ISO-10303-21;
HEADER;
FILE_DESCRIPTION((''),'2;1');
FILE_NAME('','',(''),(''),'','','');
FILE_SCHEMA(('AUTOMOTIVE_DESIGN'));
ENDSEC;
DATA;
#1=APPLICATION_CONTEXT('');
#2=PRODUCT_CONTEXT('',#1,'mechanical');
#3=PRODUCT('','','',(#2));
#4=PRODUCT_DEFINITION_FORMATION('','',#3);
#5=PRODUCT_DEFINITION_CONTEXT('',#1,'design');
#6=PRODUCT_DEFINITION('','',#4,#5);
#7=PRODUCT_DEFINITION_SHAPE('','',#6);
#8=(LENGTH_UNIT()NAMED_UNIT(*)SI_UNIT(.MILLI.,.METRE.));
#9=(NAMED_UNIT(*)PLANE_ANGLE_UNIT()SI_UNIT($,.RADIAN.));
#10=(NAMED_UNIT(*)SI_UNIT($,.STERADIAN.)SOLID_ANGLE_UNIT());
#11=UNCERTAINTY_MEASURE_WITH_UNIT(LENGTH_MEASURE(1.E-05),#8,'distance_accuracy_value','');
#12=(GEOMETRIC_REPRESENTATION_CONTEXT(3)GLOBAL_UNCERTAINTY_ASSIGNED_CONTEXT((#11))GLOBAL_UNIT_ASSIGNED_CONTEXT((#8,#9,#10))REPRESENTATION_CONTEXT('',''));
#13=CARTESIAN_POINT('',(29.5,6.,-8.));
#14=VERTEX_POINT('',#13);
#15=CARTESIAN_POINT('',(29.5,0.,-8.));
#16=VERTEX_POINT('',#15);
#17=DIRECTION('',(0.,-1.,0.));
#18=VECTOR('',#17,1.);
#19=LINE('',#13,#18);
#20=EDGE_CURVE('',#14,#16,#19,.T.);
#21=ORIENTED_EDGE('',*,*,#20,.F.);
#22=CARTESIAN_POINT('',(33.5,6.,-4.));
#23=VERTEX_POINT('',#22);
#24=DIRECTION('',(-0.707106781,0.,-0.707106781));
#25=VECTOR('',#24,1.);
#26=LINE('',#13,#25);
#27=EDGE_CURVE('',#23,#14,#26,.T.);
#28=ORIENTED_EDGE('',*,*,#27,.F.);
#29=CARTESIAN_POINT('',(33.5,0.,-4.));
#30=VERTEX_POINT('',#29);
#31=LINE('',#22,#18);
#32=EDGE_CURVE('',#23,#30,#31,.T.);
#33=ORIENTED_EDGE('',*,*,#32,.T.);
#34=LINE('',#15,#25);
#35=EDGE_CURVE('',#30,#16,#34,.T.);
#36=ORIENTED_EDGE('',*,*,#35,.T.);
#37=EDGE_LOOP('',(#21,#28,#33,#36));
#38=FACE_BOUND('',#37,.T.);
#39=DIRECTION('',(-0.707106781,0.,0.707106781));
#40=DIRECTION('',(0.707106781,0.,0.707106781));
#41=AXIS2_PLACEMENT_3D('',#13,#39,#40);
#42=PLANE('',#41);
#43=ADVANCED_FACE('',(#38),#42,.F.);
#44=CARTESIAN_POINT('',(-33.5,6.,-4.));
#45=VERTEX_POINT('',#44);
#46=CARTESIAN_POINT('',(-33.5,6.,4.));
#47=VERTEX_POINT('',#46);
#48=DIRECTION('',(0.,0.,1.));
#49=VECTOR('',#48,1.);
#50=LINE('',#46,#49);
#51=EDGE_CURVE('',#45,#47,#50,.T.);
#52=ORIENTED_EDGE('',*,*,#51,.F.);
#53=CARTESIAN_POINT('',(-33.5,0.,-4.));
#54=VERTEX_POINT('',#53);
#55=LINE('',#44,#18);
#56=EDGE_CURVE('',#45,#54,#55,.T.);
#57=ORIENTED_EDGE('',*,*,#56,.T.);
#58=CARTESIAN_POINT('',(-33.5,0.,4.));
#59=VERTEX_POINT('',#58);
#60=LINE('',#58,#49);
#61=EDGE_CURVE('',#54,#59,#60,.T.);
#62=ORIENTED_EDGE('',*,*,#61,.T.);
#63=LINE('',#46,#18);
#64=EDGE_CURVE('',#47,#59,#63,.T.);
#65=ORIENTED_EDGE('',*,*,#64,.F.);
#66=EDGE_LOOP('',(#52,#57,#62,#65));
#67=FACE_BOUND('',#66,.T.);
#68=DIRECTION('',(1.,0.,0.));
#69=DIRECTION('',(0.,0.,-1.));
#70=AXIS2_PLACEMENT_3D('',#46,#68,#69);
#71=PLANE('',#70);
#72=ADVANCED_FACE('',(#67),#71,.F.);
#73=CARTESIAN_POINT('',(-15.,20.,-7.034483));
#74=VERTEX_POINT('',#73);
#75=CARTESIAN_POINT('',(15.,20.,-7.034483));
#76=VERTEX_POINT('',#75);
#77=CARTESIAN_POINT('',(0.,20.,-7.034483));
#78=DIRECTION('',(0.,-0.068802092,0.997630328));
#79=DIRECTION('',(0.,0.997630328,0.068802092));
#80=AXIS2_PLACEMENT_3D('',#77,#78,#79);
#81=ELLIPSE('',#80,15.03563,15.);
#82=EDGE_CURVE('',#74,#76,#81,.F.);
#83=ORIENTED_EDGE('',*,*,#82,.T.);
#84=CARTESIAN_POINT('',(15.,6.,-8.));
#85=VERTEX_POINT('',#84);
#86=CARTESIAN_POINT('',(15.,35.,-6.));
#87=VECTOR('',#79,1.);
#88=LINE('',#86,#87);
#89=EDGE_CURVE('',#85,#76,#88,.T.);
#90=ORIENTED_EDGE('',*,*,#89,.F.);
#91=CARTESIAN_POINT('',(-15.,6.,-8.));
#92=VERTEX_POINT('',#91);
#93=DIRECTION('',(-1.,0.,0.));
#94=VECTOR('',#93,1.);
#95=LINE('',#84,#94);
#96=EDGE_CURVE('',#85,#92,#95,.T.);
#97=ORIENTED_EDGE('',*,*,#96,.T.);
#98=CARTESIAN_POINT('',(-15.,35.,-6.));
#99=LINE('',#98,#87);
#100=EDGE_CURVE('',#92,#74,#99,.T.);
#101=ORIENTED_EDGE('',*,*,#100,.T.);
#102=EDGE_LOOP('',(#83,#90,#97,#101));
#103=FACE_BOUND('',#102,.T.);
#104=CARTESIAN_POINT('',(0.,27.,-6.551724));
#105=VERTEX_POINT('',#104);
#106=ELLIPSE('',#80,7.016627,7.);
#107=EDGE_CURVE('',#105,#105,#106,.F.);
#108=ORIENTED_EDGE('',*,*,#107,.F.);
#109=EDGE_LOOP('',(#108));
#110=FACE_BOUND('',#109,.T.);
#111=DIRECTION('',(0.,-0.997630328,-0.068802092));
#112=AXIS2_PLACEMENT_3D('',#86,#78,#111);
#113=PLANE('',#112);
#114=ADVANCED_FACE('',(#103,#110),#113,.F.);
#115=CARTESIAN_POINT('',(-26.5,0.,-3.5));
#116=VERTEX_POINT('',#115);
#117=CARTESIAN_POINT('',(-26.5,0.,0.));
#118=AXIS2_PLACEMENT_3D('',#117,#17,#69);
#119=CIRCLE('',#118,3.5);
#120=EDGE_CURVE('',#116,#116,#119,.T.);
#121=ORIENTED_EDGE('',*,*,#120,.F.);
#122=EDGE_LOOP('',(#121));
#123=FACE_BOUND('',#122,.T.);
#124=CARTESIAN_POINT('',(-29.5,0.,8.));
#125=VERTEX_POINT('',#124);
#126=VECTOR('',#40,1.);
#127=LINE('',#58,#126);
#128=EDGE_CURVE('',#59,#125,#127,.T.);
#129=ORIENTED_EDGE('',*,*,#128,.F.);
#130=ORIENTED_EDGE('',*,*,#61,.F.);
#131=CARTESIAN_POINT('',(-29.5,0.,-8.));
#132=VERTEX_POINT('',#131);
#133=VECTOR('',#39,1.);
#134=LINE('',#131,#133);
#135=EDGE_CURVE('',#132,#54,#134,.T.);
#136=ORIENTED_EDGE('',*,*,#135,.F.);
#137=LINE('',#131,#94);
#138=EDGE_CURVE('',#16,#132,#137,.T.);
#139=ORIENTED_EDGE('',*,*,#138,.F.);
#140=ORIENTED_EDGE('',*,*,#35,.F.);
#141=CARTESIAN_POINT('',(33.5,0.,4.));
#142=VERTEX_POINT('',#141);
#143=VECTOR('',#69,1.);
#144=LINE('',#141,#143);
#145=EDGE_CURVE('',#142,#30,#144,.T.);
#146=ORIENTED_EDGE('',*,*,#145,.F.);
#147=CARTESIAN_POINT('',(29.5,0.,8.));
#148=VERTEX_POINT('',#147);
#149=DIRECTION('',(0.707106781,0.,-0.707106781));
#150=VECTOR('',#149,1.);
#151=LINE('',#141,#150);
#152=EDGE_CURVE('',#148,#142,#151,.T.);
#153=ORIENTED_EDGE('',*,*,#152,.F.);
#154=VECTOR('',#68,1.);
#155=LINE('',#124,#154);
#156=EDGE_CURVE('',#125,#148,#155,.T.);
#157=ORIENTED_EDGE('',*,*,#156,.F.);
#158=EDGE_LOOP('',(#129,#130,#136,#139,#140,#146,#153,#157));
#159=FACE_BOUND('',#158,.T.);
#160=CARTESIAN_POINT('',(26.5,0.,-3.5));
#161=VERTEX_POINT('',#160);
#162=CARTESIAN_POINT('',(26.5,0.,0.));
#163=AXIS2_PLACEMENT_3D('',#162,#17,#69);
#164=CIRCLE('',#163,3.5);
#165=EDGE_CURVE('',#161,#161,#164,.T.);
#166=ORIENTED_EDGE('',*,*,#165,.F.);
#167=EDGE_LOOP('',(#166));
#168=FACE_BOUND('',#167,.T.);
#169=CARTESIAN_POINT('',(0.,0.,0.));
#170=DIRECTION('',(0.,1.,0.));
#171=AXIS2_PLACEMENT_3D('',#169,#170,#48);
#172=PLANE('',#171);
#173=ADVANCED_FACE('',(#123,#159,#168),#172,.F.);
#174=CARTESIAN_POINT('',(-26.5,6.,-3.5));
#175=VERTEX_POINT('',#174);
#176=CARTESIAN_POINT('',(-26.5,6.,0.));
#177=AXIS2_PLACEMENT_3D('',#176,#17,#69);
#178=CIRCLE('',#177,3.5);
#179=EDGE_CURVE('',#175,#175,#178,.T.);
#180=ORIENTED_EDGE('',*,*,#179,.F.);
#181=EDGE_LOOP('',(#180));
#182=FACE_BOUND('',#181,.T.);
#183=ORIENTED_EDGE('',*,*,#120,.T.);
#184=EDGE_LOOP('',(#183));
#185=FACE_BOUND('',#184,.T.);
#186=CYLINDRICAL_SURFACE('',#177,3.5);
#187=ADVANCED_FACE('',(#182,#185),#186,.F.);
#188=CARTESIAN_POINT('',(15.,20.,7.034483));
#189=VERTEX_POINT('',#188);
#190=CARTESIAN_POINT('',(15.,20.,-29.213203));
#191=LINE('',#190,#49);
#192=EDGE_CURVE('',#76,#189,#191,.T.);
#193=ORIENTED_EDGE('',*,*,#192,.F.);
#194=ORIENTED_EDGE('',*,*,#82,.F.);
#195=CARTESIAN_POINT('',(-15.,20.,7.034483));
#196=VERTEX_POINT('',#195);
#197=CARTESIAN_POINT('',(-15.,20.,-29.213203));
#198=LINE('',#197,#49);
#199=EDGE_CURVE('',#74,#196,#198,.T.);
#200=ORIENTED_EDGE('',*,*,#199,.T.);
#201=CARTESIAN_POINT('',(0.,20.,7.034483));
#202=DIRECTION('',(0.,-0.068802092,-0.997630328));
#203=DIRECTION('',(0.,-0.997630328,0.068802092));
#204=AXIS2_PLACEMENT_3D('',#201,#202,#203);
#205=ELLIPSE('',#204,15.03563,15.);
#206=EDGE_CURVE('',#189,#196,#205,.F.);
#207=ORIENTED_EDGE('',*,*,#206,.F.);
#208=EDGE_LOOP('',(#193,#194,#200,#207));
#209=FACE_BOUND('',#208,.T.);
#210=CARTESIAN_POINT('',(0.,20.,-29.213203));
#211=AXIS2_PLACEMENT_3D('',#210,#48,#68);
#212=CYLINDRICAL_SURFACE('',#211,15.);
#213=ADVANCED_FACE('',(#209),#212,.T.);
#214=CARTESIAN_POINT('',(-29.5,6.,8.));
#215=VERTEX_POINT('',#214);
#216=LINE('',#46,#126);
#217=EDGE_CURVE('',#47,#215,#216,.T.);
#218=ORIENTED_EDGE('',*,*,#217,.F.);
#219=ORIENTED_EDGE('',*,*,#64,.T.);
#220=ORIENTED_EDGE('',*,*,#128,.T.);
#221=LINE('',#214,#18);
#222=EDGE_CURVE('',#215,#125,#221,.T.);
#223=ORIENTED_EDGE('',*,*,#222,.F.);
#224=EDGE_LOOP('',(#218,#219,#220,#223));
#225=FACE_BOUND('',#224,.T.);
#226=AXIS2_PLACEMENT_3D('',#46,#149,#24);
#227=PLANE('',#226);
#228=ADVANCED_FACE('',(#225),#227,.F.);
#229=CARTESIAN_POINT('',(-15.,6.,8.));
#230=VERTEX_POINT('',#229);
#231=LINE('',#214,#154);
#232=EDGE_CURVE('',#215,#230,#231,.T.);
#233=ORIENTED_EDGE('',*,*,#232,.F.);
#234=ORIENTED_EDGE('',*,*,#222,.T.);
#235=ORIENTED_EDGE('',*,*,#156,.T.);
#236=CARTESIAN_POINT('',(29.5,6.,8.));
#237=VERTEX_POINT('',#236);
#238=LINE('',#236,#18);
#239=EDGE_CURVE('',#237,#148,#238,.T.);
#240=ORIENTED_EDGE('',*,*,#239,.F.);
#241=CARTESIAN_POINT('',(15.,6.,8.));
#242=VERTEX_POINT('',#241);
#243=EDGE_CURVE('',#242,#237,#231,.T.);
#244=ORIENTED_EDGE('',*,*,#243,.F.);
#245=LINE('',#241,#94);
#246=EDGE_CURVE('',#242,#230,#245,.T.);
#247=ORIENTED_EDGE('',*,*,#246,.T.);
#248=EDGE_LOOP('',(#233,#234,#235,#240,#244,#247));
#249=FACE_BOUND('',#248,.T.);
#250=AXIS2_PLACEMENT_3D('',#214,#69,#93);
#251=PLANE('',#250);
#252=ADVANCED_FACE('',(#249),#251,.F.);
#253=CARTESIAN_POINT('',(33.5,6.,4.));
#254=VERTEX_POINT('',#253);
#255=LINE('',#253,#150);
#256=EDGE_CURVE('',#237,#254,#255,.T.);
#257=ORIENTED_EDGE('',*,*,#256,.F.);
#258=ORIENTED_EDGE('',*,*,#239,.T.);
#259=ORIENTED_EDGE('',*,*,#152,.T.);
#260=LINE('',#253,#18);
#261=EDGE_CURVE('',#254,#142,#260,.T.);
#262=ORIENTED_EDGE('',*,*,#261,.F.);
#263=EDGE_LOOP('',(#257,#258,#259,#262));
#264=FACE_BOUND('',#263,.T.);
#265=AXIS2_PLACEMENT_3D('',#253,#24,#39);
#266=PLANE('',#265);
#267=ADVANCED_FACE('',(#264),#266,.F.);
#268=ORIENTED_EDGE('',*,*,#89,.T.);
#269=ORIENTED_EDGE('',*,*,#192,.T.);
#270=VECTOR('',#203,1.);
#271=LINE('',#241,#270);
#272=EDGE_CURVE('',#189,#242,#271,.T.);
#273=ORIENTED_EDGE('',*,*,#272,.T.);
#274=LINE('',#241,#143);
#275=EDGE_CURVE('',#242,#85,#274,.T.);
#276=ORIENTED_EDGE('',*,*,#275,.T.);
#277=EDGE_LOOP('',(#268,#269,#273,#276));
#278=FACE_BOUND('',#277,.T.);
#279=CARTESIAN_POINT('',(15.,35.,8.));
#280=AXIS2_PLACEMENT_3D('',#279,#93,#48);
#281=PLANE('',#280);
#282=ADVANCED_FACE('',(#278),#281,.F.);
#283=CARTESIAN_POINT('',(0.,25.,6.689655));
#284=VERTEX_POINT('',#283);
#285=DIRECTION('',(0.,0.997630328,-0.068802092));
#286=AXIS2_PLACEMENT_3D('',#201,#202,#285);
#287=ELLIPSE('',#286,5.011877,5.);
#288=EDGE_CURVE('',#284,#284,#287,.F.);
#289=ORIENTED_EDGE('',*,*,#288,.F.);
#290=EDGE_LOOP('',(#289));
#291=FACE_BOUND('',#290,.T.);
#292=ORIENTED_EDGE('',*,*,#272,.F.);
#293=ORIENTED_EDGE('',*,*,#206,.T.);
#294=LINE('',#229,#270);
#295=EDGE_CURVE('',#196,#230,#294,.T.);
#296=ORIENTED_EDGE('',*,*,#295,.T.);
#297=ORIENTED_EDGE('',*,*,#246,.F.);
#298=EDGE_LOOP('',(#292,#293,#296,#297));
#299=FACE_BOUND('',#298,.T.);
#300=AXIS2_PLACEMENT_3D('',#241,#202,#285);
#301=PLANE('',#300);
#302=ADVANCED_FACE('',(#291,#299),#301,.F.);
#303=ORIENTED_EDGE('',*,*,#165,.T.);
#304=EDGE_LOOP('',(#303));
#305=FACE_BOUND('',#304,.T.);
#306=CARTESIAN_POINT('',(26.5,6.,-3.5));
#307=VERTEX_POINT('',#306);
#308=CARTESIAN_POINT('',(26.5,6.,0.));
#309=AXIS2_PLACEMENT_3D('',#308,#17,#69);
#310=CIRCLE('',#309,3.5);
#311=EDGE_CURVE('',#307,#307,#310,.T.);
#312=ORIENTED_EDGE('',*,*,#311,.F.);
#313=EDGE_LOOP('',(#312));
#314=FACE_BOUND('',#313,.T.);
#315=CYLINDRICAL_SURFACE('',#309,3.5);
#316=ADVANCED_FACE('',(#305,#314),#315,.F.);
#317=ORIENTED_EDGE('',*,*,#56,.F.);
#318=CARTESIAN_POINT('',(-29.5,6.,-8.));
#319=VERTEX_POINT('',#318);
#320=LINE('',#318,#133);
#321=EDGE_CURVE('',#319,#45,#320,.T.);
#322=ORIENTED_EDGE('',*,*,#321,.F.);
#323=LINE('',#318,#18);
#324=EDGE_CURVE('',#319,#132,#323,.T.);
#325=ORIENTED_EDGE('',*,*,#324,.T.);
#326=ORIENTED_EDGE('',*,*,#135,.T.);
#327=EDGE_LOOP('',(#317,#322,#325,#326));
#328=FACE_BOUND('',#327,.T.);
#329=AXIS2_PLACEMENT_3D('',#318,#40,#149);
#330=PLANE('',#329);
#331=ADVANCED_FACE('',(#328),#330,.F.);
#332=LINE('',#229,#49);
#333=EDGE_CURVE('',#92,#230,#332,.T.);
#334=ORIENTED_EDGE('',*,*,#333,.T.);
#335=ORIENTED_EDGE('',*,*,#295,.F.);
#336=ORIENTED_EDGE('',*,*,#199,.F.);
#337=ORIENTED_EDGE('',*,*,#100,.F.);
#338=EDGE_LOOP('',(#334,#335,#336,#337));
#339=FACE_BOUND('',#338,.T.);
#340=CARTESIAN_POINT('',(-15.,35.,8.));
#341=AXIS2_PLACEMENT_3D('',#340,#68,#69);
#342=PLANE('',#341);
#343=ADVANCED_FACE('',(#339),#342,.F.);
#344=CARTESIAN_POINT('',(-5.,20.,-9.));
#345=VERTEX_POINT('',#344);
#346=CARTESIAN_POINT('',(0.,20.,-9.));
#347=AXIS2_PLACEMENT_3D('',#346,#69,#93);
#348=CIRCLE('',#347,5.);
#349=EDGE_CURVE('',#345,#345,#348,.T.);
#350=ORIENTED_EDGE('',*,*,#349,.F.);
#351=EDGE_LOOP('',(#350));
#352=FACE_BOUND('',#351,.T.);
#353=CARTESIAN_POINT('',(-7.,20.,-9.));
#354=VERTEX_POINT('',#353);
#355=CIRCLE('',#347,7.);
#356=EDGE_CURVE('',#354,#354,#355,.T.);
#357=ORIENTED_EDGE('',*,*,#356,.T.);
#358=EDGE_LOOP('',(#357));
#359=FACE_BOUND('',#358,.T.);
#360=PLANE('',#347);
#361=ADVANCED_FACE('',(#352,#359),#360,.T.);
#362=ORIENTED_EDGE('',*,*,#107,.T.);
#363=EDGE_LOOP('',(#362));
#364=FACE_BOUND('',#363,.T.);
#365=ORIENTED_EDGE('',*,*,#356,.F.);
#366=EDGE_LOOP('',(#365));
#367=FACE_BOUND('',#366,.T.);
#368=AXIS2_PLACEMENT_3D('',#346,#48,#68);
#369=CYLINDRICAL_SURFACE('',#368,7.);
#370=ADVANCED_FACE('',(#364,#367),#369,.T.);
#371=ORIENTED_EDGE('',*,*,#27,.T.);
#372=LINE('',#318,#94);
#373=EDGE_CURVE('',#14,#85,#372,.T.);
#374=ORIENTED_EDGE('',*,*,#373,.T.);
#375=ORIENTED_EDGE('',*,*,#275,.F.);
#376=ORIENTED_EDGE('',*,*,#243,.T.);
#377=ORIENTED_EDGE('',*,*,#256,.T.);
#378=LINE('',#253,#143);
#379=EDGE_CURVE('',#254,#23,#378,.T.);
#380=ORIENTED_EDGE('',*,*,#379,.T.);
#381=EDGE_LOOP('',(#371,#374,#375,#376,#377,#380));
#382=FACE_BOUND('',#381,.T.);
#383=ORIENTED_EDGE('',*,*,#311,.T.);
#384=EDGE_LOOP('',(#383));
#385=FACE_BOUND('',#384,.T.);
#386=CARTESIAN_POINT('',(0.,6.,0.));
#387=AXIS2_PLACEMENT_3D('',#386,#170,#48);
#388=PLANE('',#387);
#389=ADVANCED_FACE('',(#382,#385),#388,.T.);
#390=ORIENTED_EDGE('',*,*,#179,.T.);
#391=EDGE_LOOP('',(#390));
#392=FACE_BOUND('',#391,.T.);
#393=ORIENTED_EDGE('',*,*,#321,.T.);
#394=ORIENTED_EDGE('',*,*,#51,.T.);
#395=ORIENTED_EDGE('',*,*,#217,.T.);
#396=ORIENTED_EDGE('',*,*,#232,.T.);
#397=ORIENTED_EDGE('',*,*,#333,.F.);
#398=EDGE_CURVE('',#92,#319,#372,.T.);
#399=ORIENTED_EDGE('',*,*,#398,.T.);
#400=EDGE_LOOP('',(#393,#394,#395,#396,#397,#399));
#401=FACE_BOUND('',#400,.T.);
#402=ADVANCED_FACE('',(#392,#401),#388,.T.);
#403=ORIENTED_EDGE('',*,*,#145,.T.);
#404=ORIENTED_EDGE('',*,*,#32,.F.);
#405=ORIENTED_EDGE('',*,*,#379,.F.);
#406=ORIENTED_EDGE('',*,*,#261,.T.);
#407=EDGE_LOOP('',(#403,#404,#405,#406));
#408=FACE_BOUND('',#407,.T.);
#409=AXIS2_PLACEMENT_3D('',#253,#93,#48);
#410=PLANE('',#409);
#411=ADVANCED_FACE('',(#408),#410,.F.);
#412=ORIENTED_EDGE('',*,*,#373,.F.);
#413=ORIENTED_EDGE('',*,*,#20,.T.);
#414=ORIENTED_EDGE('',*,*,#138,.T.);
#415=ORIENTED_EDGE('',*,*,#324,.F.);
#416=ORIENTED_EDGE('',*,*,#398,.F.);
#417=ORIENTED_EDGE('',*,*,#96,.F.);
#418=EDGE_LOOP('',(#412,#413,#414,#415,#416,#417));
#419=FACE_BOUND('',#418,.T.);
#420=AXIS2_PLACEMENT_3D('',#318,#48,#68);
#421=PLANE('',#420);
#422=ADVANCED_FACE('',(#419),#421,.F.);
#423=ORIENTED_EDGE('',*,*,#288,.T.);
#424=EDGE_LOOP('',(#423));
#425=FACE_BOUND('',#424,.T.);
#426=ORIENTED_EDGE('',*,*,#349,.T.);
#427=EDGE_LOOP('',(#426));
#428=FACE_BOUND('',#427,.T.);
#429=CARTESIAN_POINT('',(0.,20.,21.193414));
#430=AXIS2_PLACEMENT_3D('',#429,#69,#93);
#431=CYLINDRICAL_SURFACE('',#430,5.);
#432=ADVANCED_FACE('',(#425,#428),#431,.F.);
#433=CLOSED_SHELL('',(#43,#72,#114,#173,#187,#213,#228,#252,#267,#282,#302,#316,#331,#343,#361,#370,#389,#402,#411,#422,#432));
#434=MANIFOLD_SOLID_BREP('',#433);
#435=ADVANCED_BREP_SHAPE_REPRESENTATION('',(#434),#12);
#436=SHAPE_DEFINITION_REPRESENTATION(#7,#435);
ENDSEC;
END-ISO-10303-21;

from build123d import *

# Parameters (mm, degrees)
BOSS_EXTRUDE2_DEPTH             = 6
SKETCH3_W                       = 30
SKETCH3_H                       = 16
BOSS_EXTRUDE3_DEPTH             = 29
CUT_EXTRUDE1_DEPTH              = 16
CUT_EXTRUDE2_DEPTH              = 30
SKETCH6_R                       = 3.5
CUT_EXTRUDE3_DEPTH              = 6
CUT_EXTRUDE4_REACH              = 18
SKETCH7_R                       = 5
BOSS_EXTRUDE4_REACH             = 18
SKETCH8_R                       = 7
SKETCH8_R_2                     = 5
BOSS_EXTRUDE4_DIRECTION_2_DEPTH = 1


with BuildPart() as part:
    # Sketch2 → Boss-Extrude2 (new body)
    with BuildSketch(Plane(origin=(0, 0, 0), x_dir=(1, 0, 0), z_dir=(0, 1, 0))):
        Polygon((-29.5, 8), (-33.5, 4), (-33.5, -4), (-29.5, -8), (29.5, -8), (33.5, -4), (33.5, 4), (29.5, 8), align=None)
    extrude(amount=BOSS_EXTRUDE2_DEPTH)

    # Sketch3 → Boss-Extrude3 (add)
    with BuildSketch(Plane(origin=(0, 6, 0), x_dir=(1, 0, 0), z_dir=(0, 1, 0))):
        Rectangle(SKETCH3_W, SKETCH3_H)
    extrude(amount=BOSS_EXTRUDE3_DEPTH)

    # Sketch4 → Cut-Extrude1 (cut)
    with BuildSketch(Plane.XY.offset(8)):
        with BuildLine():
            ThreePointArc((-15, 20), (-10.606601718, 30.606601718), (0, 35))
            Line((0, 35), (-15, 35))
            Line((-15, 35), (-15, 20))
        make_face()
        with BuildLine():
            Line((15, 20), (15, 35))
            Line((15, 35), (0, 35))
            ThreePointArc((0, 35), (10.606601718, 30.606601718), (15, 20))
        make_face()
    extrude(amount=-CUT_EXTRUDE1_DEPTH, mode=Mode.SUBTRACT)

    # Sketch5 → Cut-Extrude2 (cut)
    with BuildSketch(Plane.ZY.offset(15)):
        Polygon((-6, 35), (-8, 6), (-8, 35), align=None)
        Polygon((8, 6), (6, 35), (8, 35), align=None)
    extrude(amount=-CUT_EXTRUDE2_DEPTH, mode=Mode.SUBTRACT)

    # Sketch6 → Cut-Extrude3 (cut)
    with BuildSketch(Plane.XZ):
        with Locations((-26.5, 0)):
            Circle(SKETCH6_R)
        with Locations((26.5, 0)):
            Circle(SKETCH6_R)
    extrude(amount=-CUT_EXTRUDE3_DEPTH, mode=Mode.SUBTRACT)

    # Cut-Extrude4: up to this face of the body (flat: up to its plane)
    cut_extrude4_end = Plane(part.part.faces().sort_by_distance((0, 19.107869184, 7.096009022))[0])
    # Sketch7 → Cut-Extrude4 (cut, up to the picked face)
    with BuildSketch(Plane(origin=(0, 0, -8), x_dir=(-1, 0, 0), z_dir=(0, 0, -1)), mode=Mode.PRIVATE) as cut_extrude4_sk1:
        with Locations((0, 20)):
            Circle(SKETCH7_R)
    cut_extrude4_tool1 = split(extrude(cut_extrude4_sk1.sketch, amount=-CUT_EXTRUDE4_REACH, mode=Mode.PRIVATE), bisect_by=cut_extrude4_end, keep=Keep.BOTH, mode=Mode.PRIVATE)
    add(cut_extrude4_tool1.solids().sort_by_distance((0, 20, -8))[0], mode=Mode.SUBTRACT)

    # Sketch8 → Boss-Extrude4 (add, up to next)
    with BuildSketch(Plane(origin=(0, 0, -8), x_dir=(-1, 0, 0), z_dir=(0, 0, -1)), mode=Mode.PRIVATE) as boss_extrude4_sk1:
        with Locations((0, 20)):
            Circle(SKETCH8_R)
        with Locations((0, 20)):
            Circle(SKETCH8_R_2, mode=Mode.SUBTRACT)
    boss_extrude4_tool1 = extrude(boss_extrude4_sk1.sketch, amount=-BOSS_EXTRUDE4_REACH, mode=Mode.PRIVATE) - part.part
    add(boss_extrude4_tool1.solids().sort_by_distance((6.80201, 20, -8))[0])

    # Sketch8 → Boss-Extrude4 direction 2 (add)
    with BuildSketch(Plane(origin=(0, 0, -8), x_dir=(-1, 0, 0), z_dir=(0, 0, -1))):
        with Locations((0, 20)):
            Circle(SKETCH8_R)
        with Locations((0, 20)):
            Circle(SKETCH8_R_2, mode=Mode.SUBTRACT)
    extrude(amount=BOSS_EXTRUDE4_DIRECTION_2_DEPTH)


solid = part.part
